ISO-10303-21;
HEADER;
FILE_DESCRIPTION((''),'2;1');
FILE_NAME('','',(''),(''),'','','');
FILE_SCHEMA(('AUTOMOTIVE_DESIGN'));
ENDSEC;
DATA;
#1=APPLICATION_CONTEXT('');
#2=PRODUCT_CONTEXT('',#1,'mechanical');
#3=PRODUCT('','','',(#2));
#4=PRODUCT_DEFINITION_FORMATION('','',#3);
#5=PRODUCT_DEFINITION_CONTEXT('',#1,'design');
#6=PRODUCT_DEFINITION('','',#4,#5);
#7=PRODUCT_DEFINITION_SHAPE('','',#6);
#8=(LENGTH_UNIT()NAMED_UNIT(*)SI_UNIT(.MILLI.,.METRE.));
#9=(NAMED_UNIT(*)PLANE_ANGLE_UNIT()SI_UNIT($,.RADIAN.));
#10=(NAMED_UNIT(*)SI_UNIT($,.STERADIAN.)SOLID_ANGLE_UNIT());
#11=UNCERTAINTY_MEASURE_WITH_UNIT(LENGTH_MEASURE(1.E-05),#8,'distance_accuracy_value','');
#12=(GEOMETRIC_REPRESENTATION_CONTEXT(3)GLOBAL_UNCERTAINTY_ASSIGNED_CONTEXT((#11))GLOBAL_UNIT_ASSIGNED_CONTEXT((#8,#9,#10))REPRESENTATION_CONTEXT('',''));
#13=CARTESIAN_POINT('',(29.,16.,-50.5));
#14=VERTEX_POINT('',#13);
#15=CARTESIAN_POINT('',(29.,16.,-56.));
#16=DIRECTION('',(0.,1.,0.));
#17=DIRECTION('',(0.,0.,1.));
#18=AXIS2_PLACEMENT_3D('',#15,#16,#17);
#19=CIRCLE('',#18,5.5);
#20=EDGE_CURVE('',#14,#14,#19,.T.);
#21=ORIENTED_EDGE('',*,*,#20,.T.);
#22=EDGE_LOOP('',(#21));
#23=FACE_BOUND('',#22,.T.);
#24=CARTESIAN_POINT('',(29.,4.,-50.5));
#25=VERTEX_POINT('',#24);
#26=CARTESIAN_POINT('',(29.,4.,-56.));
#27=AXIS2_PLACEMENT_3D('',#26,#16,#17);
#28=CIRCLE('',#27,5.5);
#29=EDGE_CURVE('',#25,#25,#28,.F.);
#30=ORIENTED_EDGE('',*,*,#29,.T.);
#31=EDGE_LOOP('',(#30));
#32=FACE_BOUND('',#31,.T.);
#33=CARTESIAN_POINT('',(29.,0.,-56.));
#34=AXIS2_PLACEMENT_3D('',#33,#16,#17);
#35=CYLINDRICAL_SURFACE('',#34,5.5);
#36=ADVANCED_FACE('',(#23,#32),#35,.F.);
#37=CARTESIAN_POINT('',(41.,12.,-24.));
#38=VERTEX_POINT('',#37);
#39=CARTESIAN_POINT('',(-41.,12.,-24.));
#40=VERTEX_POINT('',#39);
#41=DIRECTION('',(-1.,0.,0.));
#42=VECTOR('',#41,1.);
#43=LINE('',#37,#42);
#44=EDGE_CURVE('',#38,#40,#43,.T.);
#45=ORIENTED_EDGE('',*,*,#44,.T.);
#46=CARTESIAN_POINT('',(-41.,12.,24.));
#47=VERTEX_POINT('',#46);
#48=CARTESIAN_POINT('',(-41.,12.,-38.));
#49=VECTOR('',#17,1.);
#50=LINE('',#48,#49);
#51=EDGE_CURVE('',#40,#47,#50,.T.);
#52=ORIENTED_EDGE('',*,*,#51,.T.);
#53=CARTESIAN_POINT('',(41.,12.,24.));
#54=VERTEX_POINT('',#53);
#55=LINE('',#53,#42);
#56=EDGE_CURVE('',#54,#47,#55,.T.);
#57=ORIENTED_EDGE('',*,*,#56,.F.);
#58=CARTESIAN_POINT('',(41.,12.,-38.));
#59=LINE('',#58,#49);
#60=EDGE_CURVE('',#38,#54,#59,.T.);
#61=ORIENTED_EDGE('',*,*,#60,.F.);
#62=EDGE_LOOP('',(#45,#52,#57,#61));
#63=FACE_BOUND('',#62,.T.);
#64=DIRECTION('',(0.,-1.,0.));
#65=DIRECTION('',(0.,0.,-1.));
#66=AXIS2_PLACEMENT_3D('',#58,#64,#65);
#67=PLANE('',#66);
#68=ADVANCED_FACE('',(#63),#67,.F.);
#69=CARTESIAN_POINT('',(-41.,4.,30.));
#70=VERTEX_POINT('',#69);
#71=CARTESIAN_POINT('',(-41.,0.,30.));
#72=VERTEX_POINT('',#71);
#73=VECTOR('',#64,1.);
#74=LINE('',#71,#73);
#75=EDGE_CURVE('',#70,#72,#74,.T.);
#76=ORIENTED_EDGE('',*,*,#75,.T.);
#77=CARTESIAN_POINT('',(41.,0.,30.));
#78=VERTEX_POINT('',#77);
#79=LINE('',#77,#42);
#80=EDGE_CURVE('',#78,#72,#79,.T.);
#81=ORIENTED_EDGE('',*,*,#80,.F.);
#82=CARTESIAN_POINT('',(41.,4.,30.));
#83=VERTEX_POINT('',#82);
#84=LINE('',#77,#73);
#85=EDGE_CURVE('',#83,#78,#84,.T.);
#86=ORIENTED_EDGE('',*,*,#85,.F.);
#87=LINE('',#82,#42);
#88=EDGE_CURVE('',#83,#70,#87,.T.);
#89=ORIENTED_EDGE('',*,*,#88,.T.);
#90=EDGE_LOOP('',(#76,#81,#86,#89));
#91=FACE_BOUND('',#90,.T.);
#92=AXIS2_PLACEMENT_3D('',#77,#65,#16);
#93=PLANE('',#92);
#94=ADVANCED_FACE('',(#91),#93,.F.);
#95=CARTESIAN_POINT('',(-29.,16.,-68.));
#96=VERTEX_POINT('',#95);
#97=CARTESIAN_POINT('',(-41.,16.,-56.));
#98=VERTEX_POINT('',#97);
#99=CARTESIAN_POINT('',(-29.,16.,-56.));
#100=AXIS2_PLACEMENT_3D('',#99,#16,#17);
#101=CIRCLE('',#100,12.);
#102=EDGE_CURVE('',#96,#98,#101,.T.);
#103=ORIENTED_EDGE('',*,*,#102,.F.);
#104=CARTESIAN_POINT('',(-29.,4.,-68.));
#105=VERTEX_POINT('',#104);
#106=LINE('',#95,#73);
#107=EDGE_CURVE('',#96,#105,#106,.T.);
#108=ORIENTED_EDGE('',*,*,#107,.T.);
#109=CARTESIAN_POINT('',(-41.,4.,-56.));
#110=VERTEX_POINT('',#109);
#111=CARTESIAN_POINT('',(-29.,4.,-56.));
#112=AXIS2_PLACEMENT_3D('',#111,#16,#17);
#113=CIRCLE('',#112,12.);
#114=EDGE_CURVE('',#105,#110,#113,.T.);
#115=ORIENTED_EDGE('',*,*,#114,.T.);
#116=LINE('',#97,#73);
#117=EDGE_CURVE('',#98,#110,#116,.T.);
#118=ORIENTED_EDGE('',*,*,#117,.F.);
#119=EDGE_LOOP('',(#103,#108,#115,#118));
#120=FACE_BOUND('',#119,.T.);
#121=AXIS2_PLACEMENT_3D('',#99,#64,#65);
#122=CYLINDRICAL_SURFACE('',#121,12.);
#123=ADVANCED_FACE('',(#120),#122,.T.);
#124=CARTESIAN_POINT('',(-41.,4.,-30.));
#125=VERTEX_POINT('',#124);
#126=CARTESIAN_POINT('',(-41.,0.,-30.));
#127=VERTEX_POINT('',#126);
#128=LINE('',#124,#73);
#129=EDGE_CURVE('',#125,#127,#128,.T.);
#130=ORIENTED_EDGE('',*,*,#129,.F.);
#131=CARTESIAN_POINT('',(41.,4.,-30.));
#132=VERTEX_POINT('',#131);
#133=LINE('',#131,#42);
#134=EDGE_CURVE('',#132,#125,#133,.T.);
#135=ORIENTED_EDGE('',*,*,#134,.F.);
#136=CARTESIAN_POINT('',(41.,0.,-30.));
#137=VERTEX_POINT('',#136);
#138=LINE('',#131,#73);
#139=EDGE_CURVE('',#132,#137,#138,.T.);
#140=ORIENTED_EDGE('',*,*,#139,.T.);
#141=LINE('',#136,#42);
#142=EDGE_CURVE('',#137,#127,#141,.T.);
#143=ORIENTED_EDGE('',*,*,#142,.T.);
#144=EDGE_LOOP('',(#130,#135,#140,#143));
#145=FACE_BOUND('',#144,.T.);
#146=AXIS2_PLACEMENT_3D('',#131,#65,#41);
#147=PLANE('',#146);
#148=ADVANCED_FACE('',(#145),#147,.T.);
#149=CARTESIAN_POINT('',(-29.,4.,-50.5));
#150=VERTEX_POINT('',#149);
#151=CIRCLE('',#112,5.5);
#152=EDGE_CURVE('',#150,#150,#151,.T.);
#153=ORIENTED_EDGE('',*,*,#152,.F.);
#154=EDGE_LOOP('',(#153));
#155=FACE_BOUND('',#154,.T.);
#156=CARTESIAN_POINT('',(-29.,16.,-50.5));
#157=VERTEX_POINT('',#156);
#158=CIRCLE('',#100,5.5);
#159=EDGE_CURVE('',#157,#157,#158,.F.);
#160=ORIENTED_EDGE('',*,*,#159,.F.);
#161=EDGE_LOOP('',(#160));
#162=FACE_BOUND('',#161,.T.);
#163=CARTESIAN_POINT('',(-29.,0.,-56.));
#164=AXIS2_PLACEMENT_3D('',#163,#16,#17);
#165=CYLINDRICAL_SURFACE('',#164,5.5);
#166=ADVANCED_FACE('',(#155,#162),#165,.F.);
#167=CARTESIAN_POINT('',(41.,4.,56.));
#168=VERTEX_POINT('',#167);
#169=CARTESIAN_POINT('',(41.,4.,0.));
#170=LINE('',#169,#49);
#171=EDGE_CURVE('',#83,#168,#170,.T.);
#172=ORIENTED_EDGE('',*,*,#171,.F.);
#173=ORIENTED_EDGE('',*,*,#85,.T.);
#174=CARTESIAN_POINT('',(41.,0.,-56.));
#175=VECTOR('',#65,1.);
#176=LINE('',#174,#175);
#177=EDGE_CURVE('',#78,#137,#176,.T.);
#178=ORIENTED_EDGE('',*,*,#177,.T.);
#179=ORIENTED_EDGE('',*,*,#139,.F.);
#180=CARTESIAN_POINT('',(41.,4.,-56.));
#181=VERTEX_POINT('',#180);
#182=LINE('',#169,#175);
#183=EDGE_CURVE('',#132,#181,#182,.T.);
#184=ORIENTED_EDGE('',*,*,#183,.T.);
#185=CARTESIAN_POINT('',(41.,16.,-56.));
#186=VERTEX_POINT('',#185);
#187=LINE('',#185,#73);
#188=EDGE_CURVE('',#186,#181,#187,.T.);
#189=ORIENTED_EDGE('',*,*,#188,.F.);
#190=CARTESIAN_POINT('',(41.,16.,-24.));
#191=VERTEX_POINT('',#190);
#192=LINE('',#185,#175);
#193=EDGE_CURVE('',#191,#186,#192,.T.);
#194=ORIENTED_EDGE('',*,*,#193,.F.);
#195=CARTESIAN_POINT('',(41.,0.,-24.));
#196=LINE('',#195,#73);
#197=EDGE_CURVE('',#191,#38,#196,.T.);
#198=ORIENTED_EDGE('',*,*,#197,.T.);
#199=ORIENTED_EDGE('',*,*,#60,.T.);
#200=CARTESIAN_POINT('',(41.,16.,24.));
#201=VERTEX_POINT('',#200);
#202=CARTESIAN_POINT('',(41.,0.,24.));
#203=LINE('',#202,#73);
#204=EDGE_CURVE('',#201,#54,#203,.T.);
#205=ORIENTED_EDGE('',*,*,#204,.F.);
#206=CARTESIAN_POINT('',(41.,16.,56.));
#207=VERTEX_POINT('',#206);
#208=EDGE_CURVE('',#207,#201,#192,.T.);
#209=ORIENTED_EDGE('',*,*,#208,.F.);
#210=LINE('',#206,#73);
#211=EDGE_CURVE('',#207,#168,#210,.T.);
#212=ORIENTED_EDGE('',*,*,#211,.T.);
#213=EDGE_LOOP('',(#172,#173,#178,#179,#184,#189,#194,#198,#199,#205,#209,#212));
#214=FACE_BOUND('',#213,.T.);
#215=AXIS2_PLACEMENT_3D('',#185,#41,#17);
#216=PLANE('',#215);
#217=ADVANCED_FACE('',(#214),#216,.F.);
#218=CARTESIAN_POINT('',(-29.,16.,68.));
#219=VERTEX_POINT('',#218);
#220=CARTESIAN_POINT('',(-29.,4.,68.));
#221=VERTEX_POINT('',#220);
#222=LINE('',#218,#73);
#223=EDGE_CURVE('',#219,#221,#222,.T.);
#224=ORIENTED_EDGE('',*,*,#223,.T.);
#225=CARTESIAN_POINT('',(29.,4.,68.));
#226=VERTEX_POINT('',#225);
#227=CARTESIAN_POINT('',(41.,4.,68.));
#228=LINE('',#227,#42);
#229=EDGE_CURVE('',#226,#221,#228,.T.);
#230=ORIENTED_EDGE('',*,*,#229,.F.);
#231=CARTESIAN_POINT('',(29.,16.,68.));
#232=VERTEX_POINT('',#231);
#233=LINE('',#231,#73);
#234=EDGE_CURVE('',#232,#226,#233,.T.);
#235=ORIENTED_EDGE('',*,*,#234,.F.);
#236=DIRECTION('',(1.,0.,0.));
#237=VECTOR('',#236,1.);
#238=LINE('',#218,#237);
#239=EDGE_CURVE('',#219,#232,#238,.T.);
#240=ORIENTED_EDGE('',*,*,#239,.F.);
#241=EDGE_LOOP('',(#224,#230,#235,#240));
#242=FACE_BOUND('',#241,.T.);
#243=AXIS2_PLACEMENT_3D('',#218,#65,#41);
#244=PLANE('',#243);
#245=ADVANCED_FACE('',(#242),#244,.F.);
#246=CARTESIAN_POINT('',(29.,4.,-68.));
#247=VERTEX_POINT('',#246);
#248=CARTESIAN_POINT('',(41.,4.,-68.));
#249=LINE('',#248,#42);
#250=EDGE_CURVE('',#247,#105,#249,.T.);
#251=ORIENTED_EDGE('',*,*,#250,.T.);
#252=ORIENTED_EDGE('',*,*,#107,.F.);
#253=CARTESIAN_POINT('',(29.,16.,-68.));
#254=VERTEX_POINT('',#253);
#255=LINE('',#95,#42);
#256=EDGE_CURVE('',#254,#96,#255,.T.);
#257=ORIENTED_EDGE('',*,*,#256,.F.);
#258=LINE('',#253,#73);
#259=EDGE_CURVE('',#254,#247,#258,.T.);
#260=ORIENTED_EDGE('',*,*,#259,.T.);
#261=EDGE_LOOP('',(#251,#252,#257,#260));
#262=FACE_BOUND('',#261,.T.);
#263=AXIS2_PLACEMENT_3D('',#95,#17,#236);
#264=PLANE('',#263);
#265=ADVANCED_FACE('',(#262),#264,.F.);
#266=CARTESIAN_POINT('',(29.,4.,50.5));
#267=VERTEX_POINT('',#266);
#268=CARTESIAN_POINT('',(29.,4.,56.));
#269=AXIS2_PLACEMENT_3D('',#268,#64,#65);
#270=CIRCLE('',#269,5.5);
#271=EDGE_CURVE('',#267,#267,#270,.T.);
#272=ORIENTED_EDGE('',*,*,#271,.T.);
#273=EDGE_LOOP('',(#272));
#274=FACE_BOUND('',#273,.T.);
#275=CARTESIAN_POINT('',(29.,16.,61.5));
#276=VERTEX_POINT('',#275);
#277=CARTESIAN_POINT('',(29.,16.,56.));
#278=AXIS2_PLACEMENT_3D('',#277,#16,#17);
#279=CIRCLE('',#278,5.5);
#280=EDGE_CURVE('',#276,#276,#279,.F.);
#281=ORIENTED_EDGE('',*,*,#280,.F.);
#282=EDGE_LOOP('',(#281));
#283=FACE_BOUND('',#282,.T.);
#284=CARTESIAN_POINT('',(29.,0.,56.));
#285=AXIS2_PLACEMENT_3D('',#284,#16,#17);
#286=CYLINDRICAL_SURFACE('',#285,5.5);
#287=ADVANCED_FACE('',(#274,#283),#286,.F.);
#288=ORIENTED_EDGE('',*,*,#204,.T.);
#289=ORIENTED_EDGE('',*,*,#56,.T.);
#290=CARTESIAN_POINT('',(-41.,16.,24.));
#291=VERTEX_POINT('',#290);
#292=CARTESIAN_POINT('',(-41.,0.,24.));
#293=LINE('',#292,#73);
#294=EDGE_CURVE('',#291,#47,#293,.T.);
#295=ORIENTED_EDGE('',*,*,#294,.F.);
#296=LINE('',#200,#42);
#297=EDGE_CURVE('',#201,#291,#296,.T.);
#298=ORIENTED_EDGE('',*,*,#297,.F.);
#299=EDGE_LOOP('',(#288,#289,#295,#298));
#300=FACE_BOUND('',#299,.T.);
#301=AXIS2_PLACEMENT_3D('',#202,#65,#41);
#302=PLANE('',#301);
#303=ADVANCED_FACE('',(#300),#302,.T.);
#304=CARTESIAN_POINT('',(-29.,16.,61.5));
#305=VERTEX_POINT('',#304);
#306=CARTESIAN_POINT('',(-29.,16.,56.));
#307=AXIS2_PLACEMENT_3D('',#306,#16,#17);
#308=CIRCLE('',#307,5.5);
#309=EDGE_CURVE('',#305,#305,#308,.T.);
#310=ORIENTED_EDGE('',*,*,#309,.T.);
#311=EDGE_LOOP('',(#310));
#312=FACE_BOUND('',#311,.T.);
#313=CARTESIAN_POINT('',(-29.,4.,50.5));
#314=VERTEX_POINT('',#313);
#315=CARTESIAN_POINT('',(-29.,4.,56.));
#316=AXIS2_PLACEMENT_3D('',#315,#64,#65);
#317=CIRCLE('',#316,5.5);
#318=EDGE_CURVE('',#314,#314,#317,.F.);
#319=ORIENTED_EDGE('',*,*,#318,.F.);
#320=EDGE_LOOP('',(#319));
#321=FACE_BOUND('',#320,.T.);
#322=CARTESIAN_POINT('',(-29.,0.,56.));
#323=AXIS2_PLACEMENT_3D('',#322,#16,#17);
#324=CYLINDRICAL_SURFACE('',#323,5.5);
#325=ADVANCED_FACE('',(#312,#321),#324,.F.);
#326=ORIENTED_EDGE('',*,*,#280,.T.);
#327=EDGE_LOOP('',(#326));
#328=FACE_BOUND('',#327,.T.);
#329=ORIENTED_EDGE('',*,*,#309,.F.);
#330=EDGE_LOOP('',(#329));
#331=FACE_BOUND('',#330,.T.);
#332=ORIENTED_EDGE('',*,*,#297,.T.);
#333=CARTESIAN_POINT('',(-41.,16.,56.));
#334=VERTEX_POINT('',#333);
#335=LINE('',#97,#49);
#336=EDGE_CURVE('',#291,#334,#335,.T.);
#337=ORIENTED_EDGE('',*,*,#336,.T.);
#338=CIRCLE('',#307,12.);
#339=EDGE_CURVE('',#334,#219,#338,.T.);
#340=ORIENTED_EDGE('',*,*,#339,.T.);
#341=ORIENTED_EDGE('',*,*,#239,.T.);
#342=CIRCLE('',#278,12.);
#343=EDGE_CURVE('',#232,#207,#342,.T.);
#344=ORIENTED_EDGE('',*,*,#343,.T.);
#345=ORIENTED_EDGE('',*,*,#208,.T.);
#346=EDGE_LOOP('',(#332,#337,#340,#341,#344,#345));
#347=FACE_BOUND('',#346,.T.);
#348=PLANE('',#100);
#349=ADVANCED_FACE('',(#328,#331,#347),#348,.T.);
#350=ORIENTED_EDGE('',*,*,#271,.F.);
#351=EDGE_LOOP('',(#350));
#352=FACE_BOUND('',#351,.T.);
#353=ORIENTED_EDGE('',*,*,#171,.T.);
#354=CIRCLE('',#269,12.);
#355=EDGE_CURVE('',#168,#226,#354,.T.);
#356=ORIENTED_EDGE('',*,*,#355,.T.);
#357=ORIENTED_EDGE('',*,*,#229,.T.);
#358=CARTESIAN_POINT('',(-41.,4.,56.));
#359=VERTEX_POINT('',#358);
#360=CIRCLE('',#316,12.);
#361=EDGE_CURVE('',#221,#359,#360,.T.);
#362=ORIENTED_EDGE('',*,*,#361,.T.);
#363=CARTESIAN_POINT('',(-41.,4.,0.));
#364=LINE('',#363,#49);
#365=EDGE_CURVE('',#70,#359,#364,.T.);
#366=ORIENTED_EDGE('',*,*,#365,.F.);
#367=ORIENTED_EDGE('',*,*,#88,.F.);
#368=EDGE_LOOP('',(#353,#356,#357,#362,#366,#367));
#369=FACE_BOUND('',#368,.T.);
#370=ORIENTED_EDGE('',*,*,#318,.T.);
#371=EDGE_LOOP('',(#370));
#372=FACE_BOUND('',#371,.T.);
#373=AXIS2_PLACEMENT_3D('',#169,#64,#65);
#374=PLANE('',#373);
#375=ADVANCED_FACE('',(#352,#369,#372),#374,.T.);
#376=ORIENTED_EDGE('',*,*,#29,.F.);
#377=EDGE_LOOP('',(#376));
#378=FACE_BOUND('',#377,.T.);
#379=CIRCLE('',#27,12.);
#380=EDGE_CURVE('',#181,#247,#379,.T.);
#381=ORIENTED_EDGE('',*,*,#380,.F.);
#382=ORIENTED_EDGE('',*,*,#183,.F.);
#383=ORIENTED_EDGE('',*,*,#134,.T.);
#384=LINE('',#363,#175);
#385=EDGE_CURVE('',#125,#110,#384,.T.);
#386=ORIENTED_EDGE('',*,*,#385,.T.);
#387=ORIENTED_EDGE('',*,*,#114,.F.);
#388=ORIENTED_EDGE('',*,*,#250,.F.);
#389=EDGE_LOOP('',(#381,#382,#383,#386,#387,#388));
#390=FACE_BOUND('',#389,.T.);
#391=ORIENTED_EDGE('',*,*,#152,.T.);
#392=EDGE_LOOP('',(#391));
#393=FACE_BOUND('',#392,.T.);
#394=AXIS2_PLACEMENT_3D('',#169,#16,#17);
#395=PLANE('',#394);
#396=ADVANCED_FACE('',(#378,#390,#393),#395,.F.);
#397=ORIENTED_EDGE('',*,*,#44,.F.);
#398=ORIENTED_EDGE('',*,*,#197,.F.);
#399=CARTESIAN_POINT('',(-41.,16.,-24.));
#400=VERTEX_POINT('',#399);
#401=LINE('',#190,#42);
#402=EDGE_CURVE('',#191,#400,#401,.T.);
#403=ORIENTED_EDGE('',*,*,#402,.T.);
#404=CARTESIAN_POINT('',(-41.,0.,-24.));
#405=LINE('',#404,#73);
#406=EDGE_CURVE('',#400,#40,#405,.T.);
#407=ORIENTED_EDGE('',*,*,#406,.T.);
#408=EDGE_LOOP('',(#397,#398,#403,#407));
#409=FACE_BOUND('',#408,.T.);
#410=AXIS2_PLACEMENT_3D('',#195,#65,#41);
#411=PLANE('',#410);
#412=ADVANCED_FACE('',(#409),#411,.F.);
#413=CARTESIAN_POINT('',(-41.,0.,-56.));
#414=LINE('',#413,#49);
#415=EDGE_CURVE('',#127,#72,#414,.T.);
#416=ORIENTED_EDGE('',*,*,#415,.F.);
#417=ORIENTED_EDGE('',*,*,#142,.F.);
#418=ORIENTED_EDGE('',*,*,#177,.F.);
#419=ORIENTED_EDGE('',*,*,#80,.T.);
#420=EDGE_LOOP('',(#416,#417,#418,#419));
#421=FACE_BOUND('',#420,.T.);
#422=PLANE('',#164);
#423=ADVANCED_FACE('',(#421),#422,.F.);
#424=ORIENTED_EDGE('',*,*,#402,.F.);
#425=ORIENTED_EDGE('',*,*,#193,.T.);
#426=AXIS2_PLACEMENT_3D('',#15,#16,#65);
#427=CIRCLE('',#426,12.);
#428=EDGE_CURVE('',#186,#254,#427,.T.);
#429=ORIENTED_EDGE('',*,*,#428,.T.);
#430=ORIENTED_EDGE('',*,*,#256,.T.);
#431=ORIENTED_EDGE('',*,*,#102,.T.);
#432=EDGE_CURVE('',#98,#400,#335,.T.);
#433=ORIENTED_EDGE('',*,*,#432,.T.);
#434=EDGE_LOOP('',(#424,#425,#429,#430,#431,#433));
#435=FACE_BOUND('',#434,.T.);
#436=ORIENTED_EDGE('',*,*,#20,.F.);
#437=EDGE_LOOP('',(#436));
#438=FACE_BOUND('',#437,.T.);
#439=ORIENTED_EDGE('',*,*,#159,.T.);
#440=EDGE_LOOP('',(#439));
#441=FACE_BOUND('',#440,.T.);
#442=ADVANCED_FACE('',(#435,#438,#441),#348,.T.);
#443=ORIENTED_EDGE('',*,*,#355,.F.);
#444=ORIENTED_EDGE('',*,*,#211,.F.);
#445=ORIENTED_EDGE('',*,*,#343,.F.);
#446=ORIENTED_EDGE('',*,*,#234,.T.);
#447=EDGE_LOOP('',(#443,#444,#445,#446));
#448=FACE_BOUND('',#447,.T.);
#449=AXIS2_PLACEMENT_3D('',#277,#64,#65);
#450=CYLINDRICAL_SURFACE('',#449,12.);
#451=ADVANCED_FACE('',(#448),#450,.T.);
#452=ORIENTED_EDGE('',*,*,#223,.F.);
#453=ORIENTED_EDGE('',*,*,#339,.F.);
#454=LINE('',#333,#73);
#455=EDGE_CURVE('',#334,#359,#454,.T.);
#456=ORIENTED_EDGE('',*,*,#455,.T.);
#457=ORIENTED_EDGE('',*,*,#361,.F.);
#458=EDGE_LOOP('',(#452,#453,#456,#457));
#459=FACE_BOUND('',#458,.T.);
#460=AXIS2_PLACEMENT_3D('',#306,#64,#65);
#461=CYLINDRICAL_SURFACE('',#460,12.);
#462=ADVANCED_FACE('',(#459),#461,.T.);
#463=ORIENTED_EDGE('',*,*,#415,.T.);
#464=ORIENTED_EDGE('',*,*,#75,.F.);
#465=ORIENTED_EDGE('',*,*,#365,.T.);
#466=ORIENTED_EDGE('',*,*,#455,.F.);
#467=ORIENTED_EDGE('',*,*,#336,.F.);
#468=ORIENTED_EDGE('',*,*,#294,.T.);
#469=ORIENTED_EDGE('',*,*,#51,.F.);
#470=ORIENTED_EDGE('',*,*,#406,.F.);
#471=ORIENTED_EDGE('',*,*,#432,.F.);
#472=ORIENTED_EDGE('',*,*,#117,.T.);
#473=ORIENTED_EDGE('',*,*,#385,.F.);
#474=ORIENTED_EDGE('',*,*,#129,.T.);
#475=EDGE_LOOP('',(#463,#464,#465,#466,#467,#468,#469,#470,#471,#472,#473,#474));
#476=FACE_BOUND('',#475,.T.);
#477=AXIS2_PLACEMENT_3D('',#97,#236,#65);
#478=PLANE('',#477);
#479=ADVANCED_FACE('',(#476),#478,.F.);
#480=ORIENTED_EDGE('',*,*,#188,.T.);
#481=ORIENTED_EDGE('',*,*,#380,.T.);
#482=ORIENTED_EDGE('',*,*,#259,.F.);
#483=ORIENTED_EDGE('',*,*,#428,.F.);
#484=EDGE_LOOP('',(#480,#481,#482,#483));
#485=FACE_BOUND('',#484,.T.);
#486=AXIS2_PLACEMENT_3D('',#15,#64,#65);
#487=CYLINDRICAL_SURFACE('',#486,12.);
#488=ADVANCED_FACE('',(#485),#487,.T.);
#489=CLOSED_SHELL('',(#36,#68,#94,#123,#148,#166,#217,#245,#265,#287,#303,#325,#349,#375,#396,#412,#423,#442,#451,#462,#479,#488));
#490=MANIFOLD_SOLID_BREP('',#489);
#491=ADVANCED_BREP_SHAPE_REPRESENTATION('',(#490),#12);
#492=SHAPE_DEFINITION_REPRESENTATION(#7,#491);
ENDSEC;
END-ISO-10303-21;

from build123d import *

# Parameters (mm, degrees)
SALIENTE_EXTRUIR3_DEPTH = 16
CROQUIS6_R              = 5.5
CORTAR_EXTRUIR3_DEPTH   = 17
CORTAR_EXTRUIR4_DEPTH   = 83
CROQUIS8_W              = 18
CROQUIS8_H              = 4
CROQUIS8_W_2            = 12
CORTAR_EXTRUIR5_DEPTH   = 83
CROQUIS9_W              = 8
CROQUIS9_H              = 4
CORTAR_EXTRUIR6_DEPTH   = 83
CROQUIS10_W             = 7
CROQUIS10_H             = 4
SALIENTE_EXTRUIR4_DEPTH = 82
CROQUIS11_W             = 7
CROQUIS11_H             = 4
SALIENTE_EXTRUIR5_DEPTH = 82


with BuildPart() as part:
    # Croquis1 → Saliente-Extruir3 (new body)
    with BuildSketch(Plane(origin=(0, 0, 0), x_dir=(1, 0, 0), z_dir=(0, 1, 0))):
        with BuildLine():
            Line((-29, 68), (29, 68))
            ThreePointArc((29, 68), (37.485281374, 64.485281374), (41, 56))
            Line((41, 56), (41, -56))
            ThreePointArc((41, -56), (37.485281374, -64.485281374), (29, -68))
            Line((29, -68), (-29, -68))
            ThreePointArc((-29, -68), (-37.485281374, -64.485281374), (-41, -56))
            Line((-41, -56), (-41, 56))
            ThreePointArc((-41, 56), (-37.485281374, 64.485281374), (-29, 68))
        make_face()
    extrude(amount=SALIENTE_EXTRUIR3_DEPTH)

    # Croquis6 → Cortar-Extruir3 (cut, through all)
    with BuildSketch(Plane(origin=(0, 16, 0), x_dir=(1, 0, 0), z_dir=(0, 1, 0))):
        with Locations((-29, 56)):
            Circle(CROQUIS6_R)
        with Locations((29, 56)):
            Circle(CROQUIS6_R)
        with Locations((-29, -56)):
            Circle(CROQUIS6_R)
        with Locations((29, -56)):
            Circle(CROQUIS6_R)
    extrude(amount=-CORTAR_EXTRUIR3_DEPTH, mode=Mode.SUBTRACT)

    # Croquis7 → Cortar-Extruir4 (cut, through all)
    with BuildSketch(Plane.ZY.offset(41)):
        Polygon((0, 16), (-38, 16), (-38, 12), (38, 12), (38, 16), align=None)
    extrude(amount=-CORTAR_EXTRUIR4_DEPTH, mode=Mode.SUBTRACT)

    # Croquis8 → Cortar-Extruir5 (cut, through all)
    with BuildSketch(Plane.ZY.offset(41)):
        with Locations((-47, 2)):
            Rectangle(CROQUIS8_W, CROQUIS8_H)
        with Locations((-62, 2)):
            Rectangle(CROQUIS8_W_2, CROQUIS8_H)
        with Locations((47, 2)):
            Rectangle(CROQUIS8_W, CROQUIS8_H)
        with Locations((62, 2)):
            Rectangle(CROQUIS8_W_2, CROQUIS8_H)
    extrude(amount=-CORTAR_EXTRUIR5_DEPTH, mode=Mode.SUBTRACT)

    # Croquis9 → Cortar-Extruir6 (cut, through all)
    with BuildSketch(Plane.ZY.offset(41)):
        with Locations((34, 2)):
            Rectangle(CROQUIS9_W, CROQUIS9_H)
        with Locations((-34, 2)):
            Rectangle(CROQUIS9_W, CROQUIS9_H)
    extrude(amount=-CORTAR_EXTRUIR6_DEPTH, mode=Mode.SUBTRACT)

    # Croquis10 → Saliente-Extruir4 (add)
    with BuildSketch(Plane.ZY.offset(41)):
        with Locations((-34.5, 14)):
            Rectangle(CROQUIS10_W, CROQUIS10_H)
        with Locations((34.5, 14)):
            Rectangle(CROQUIS10_W, CROQUIS10_H)
    extrude(amount=-SALIENTE_EXTRUIR4_DEPTH)

    # Croquis11 → Saliente-Extruir5 (add)
    with BuildSketch(Plane.ZY.offset(41)):
        with Locations((-27.5, 14)):
            Rectangle(CROQUIS11_W, CROQUIS11_H)
        with Locations((27.5, 14)):
            Rectangle(CROQUIS11_W, CROQUIS11_H)
    extrude(amount=-SALIENTE_EXTRUIR5_DEPTH)


solid = part.part
